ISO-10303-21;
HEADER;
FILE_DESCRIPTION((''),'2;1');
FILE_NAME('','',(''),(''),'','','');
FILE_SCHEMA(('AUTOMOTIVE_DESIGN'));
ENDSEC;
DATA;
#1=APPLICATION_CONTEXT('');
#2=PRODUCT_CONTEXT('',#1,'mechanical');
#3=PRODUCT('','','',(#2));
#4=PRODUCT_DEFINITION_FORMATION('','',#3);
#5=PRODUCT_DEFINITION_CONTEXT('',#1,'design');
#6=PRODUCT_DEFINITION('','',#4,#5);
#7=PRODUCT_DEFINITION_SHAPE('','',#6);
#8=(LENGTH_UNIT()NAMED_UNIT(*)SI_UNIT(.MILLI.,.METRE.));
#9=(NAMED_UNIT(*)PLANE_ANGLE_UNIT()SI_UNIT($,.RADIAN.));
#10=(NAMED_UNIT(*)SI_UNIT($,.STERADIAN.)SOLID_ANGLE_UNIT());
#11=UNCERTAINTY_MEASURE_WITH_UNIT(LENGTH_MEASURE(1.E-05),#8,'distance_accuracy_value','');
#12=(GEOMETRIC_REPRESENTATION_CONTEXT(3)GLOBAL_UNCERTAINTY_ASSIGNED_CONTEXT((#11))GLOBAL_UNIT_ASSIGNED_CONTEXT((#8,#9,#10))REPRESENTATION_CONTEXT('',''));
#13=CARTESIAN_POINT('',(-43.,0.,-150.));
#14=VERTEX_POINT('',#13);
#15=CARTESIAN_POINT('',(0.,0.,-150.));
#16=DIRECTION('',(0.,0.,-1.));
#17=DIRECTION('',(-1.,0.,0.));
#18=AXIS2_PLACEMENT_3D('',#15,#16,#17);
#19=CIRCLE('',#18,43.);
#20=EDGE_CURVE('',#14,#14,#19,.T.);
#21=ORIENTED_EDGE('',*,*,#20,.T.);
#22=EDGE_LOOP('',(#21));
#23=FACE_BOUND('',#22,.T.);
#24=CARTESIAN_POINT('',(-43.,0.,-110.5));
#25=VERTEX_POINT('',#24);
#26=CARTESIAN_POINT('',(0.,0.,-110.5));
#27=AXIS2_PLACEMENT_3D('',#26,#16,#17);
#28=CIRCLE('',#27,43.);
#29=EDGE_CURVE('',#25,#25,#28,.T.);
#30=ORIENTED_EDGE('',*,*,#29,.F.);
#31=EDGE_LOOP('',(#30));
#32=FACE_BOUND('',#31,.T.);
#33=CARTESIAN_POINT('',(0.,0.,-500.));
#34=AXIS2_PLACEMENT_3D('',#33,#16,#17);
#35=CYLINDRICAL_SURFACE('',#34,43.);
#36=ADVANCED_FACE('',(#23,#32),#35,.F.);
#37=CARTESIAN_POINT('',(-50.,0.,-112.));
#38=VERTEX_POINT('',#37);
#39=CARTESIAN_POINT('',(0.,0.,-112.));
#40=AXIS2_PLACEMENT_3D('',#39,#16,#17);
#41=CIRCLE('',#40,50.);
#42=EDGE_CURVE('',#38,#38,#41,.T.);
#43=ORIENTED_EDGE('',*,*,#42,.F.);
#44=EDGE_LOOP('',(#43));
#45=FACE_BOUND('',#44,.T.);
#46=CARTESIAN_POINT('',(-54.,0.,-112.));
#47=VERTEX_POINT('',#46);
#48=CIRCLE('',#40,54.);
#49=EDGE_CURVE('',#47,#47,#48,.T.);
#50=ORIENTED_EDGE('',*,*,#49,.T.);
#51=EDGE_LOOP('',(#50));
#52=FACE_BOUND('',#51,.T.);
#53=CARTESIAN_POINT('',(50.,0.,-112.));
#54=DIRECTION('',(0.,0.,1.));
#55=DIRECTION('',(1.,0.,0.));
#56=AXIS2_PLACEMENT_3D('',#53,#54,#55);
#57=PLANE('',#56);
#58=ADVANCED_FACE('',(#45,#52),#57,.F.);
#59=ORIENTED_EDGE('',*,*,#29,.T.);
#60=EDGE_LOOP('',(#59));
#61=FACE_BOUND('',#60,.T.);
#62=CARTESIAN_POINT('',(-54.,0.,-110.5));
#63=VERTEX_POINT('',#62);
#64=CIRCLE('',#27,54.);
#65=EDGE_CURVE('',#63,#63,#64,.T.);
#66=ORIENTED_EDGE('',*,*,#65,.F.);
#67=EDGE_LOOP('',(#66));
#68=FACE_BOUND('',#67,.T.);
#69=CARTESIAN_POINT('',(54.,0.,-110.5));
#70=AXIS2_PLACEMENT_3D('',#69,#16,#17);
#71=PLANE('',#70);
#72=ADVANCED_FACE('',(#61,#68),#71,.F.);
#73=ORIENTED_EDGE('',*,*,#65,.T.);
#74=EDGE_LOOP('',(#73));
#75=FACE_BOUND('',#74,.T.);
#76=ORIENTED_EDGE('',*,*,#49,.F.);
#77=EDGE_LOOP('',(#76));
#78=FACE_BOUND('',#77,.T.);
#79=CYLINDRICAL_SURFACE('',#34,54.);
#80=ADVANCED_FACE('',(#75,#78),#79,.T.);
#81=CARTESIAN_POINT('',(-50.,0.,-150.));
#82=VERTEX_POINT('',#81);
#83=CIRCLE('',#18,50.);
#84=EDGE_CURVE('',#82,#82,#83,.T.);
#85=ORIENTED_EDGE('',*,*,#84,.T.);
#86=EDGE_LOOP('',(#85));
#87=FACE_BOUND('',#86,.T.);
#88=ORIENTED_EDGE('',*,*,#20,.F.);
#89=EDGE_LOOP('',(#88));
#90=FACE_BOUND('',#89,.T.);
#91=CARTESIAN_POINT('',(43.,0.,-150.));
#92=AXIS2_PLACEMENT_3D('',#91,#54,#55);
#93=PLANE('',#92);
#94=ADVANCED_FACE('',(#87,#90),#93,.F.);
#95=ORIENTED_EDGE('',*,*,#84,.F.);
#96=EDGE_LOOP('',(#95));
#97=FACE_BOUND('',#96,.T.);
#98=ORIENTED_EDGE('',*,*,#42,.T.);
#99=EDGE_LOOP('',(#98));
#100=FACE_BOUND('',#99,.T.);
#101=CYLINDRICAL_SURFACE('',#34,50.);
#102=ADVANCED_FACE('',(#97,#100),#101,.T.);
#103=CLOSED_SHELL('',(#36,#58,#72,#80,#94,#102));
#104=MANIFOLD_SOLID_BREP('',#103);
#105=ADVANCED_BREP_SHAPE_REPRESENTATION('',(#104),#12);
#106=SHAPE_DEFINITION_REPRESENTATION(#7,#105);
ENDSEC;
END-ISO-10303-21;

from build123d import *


with BuildPart() as part:
    # Sketch1 → Revolve1 (revolve)
    with BuildSketch(Plane(origin=(0, 0, 0), x_dir=(-1, 0, 0), z_dir=(0, 1, 0)), mode=Mode.PRIVATE) as revolve1_sk:
        Polygon((-43, -150), (-50, -150), (-50, -112), (-54, -112), (-54, -110.5), (-43, -110.5), align=None)
    revolve(revolve1_sk.sketch.rotate(Axis((0, 0, -500), (0, 0, 1)), 180), axis=Axis((0, 0, -500), (0, 0, 1)))


solid = part.part
